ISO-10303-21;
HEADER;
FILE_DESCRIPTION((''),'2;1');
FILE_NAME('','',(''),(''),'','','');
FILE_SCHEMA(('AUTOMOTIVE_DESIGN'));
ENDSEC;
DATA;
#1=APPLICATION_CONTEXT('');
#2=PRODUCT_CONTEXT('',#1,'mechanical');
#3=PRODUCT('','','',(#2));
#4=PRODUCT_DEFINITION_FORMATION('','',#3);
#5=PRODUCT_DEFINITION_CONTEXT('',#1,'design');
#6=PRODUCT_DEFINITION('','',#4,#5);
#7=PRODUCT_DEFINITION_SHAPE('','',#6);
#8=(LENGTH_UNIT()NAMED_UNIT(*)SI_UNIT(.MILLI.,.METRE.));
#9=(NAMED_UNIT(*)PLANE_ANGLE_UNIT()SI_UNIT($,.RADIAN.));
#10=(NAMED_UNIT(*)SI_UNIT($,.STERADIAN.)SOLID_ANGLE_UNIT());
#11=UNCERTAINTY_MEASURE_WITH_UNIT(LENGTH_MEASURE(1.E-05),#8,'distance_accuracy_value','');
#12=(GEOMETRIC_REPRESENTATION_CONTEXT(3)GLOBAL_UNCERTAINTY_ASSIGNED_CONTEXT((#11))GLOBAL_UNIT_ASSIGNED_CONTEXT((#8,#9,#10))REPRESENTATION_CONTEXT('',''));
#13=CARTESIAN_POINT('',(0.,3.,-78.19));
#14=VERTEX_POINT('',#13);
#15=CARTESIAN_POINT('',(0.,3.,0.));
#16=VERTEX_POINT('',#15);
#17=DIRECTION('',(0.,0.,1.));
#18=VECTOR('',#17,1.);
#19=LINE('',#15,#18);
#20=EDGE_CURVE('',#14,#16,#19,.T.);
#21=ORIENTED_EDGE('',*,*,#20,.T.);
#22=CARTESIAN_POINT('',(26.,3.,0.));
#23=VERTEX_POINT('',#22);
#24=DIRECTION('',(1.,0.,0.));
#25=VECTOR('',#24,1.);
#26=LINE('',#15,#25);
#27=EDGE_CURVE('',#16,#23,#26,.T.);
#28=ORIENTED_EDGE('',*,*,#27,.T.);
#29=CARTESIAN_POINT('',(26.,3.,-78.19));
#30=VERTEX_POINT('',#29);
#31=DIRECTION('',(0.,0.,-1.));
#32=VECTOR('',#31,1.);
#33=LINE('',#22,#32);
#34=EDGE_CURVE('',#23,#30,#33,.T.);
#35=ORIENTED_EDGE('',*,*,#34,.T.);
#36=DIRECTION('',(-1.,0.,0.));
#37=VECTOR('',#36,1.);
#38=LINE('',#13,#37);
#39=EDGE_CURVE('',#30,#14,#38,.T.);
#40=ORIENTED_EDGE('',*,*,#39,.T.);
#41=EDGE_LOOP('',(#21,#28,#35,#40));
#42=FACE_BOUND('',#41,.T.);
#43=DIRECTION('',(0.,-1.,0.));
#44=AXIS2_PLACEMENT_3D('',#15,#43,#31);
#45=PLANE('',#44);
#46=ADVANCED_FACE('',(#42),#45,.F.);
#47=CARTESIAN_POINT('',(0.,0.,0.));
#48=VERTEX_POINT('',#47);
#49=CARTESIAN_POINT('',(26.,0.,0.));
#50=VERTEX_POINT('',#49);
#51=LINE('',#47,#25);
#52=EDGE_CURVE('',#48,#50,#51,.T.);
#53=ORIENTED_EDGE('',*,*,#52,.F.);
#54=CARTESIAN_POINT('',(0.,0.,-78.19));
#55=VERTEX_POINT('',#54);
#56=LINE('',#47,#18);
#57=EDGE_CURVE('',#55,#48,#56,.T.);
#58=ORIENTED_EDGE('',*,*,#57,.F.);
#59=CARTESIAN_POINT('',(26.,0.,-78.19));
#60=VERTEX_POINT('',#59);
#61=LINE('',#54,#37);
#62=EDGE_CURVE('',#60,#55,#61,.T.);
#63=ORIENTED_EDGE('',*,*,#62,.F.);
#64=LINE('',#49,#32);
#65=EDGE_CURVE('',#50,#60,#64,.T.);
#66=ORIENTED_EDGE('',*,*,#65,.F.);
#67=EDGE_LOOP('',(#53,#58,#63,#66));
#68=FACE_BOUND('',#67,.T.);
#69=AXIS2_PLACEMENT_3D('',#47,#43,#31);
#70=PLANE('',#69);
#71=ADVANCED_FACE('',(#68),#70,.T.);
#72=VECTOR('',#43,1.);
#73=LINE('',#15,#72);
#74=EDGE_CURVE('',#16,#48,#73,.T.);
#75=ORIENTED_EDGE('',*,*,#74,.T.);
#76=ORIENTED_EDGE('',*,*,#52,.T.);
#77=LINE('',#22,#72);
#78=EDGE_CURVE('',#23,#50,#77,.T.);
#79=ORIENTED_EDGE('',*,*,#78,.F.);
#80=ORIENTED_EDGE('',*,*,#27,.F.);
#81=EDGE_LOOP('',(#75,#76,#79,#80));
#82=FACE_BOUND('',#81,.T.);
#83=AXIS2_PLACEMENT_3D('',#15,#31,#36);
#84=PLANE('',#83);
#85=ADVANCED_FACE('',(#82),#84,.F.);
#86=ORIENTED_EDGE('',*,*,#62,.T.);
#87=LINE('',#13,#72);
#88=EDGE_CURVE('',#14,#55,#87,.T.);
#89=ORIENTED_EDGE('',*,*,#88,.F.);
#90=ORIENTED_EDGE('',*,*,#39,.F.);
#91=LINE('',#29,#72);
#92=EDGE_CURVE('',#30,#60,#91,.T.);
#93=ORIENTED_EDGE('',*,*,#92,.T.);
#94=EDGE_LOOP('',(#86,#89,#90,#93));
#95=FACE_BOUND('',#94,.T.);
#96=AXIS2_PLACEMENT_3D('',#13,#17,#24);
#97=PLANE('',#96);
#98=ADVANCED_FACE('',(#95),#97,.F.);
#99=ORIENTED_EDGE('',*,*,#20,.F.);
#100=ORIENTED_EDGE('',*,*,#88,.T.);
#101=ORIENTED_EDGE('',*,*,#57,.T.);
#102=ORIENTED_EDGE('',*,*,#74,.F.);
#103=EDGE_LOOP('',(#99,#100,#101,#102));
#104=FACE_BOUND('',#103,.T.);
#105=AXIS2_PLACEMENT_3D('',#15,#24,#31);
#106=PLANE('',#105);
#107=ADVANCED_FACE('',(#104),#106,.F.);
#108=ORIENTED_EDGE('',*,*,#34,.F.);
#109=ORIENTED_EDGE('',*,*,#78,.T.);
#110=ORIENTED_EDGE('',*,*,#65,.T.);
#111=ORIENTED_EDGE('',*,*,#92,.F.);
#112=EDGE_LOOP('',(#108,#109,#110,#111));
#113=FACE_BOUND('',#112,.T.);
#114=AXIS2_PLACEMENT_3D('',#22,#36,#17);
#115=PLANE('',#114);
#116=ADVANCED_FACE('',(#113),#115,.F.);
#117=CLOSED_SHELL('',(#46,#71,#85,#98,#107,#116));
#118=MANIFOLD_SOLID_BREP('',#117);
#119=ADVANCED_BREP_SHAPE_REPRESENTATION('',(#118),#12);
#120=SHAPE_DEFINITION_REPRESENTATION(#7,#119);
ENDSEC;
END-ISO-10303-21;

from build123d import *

# Parameters (mm, degrees)
CROQUIS1_W              = 26
CROQUIS1_H              = 78.19
SALIENTE_EXTRUIR1_DEPTH = 3


with BuildPart() as part:
    # Croquis1 → Saliente-Extruir1 (new body)
    with BuildSketch(Plane(origin=(0, 0, 0), x_dir=(1, 0, 0), z_dir=(0, 1, 0))):
        with Locations((13, 39.095)):
            Rectangle(CROQUIS1_W, CROQUIS1_H)
    extrude(amount=SALIENTE_EXTRUIR1_DEPTH)


solid = part.part
